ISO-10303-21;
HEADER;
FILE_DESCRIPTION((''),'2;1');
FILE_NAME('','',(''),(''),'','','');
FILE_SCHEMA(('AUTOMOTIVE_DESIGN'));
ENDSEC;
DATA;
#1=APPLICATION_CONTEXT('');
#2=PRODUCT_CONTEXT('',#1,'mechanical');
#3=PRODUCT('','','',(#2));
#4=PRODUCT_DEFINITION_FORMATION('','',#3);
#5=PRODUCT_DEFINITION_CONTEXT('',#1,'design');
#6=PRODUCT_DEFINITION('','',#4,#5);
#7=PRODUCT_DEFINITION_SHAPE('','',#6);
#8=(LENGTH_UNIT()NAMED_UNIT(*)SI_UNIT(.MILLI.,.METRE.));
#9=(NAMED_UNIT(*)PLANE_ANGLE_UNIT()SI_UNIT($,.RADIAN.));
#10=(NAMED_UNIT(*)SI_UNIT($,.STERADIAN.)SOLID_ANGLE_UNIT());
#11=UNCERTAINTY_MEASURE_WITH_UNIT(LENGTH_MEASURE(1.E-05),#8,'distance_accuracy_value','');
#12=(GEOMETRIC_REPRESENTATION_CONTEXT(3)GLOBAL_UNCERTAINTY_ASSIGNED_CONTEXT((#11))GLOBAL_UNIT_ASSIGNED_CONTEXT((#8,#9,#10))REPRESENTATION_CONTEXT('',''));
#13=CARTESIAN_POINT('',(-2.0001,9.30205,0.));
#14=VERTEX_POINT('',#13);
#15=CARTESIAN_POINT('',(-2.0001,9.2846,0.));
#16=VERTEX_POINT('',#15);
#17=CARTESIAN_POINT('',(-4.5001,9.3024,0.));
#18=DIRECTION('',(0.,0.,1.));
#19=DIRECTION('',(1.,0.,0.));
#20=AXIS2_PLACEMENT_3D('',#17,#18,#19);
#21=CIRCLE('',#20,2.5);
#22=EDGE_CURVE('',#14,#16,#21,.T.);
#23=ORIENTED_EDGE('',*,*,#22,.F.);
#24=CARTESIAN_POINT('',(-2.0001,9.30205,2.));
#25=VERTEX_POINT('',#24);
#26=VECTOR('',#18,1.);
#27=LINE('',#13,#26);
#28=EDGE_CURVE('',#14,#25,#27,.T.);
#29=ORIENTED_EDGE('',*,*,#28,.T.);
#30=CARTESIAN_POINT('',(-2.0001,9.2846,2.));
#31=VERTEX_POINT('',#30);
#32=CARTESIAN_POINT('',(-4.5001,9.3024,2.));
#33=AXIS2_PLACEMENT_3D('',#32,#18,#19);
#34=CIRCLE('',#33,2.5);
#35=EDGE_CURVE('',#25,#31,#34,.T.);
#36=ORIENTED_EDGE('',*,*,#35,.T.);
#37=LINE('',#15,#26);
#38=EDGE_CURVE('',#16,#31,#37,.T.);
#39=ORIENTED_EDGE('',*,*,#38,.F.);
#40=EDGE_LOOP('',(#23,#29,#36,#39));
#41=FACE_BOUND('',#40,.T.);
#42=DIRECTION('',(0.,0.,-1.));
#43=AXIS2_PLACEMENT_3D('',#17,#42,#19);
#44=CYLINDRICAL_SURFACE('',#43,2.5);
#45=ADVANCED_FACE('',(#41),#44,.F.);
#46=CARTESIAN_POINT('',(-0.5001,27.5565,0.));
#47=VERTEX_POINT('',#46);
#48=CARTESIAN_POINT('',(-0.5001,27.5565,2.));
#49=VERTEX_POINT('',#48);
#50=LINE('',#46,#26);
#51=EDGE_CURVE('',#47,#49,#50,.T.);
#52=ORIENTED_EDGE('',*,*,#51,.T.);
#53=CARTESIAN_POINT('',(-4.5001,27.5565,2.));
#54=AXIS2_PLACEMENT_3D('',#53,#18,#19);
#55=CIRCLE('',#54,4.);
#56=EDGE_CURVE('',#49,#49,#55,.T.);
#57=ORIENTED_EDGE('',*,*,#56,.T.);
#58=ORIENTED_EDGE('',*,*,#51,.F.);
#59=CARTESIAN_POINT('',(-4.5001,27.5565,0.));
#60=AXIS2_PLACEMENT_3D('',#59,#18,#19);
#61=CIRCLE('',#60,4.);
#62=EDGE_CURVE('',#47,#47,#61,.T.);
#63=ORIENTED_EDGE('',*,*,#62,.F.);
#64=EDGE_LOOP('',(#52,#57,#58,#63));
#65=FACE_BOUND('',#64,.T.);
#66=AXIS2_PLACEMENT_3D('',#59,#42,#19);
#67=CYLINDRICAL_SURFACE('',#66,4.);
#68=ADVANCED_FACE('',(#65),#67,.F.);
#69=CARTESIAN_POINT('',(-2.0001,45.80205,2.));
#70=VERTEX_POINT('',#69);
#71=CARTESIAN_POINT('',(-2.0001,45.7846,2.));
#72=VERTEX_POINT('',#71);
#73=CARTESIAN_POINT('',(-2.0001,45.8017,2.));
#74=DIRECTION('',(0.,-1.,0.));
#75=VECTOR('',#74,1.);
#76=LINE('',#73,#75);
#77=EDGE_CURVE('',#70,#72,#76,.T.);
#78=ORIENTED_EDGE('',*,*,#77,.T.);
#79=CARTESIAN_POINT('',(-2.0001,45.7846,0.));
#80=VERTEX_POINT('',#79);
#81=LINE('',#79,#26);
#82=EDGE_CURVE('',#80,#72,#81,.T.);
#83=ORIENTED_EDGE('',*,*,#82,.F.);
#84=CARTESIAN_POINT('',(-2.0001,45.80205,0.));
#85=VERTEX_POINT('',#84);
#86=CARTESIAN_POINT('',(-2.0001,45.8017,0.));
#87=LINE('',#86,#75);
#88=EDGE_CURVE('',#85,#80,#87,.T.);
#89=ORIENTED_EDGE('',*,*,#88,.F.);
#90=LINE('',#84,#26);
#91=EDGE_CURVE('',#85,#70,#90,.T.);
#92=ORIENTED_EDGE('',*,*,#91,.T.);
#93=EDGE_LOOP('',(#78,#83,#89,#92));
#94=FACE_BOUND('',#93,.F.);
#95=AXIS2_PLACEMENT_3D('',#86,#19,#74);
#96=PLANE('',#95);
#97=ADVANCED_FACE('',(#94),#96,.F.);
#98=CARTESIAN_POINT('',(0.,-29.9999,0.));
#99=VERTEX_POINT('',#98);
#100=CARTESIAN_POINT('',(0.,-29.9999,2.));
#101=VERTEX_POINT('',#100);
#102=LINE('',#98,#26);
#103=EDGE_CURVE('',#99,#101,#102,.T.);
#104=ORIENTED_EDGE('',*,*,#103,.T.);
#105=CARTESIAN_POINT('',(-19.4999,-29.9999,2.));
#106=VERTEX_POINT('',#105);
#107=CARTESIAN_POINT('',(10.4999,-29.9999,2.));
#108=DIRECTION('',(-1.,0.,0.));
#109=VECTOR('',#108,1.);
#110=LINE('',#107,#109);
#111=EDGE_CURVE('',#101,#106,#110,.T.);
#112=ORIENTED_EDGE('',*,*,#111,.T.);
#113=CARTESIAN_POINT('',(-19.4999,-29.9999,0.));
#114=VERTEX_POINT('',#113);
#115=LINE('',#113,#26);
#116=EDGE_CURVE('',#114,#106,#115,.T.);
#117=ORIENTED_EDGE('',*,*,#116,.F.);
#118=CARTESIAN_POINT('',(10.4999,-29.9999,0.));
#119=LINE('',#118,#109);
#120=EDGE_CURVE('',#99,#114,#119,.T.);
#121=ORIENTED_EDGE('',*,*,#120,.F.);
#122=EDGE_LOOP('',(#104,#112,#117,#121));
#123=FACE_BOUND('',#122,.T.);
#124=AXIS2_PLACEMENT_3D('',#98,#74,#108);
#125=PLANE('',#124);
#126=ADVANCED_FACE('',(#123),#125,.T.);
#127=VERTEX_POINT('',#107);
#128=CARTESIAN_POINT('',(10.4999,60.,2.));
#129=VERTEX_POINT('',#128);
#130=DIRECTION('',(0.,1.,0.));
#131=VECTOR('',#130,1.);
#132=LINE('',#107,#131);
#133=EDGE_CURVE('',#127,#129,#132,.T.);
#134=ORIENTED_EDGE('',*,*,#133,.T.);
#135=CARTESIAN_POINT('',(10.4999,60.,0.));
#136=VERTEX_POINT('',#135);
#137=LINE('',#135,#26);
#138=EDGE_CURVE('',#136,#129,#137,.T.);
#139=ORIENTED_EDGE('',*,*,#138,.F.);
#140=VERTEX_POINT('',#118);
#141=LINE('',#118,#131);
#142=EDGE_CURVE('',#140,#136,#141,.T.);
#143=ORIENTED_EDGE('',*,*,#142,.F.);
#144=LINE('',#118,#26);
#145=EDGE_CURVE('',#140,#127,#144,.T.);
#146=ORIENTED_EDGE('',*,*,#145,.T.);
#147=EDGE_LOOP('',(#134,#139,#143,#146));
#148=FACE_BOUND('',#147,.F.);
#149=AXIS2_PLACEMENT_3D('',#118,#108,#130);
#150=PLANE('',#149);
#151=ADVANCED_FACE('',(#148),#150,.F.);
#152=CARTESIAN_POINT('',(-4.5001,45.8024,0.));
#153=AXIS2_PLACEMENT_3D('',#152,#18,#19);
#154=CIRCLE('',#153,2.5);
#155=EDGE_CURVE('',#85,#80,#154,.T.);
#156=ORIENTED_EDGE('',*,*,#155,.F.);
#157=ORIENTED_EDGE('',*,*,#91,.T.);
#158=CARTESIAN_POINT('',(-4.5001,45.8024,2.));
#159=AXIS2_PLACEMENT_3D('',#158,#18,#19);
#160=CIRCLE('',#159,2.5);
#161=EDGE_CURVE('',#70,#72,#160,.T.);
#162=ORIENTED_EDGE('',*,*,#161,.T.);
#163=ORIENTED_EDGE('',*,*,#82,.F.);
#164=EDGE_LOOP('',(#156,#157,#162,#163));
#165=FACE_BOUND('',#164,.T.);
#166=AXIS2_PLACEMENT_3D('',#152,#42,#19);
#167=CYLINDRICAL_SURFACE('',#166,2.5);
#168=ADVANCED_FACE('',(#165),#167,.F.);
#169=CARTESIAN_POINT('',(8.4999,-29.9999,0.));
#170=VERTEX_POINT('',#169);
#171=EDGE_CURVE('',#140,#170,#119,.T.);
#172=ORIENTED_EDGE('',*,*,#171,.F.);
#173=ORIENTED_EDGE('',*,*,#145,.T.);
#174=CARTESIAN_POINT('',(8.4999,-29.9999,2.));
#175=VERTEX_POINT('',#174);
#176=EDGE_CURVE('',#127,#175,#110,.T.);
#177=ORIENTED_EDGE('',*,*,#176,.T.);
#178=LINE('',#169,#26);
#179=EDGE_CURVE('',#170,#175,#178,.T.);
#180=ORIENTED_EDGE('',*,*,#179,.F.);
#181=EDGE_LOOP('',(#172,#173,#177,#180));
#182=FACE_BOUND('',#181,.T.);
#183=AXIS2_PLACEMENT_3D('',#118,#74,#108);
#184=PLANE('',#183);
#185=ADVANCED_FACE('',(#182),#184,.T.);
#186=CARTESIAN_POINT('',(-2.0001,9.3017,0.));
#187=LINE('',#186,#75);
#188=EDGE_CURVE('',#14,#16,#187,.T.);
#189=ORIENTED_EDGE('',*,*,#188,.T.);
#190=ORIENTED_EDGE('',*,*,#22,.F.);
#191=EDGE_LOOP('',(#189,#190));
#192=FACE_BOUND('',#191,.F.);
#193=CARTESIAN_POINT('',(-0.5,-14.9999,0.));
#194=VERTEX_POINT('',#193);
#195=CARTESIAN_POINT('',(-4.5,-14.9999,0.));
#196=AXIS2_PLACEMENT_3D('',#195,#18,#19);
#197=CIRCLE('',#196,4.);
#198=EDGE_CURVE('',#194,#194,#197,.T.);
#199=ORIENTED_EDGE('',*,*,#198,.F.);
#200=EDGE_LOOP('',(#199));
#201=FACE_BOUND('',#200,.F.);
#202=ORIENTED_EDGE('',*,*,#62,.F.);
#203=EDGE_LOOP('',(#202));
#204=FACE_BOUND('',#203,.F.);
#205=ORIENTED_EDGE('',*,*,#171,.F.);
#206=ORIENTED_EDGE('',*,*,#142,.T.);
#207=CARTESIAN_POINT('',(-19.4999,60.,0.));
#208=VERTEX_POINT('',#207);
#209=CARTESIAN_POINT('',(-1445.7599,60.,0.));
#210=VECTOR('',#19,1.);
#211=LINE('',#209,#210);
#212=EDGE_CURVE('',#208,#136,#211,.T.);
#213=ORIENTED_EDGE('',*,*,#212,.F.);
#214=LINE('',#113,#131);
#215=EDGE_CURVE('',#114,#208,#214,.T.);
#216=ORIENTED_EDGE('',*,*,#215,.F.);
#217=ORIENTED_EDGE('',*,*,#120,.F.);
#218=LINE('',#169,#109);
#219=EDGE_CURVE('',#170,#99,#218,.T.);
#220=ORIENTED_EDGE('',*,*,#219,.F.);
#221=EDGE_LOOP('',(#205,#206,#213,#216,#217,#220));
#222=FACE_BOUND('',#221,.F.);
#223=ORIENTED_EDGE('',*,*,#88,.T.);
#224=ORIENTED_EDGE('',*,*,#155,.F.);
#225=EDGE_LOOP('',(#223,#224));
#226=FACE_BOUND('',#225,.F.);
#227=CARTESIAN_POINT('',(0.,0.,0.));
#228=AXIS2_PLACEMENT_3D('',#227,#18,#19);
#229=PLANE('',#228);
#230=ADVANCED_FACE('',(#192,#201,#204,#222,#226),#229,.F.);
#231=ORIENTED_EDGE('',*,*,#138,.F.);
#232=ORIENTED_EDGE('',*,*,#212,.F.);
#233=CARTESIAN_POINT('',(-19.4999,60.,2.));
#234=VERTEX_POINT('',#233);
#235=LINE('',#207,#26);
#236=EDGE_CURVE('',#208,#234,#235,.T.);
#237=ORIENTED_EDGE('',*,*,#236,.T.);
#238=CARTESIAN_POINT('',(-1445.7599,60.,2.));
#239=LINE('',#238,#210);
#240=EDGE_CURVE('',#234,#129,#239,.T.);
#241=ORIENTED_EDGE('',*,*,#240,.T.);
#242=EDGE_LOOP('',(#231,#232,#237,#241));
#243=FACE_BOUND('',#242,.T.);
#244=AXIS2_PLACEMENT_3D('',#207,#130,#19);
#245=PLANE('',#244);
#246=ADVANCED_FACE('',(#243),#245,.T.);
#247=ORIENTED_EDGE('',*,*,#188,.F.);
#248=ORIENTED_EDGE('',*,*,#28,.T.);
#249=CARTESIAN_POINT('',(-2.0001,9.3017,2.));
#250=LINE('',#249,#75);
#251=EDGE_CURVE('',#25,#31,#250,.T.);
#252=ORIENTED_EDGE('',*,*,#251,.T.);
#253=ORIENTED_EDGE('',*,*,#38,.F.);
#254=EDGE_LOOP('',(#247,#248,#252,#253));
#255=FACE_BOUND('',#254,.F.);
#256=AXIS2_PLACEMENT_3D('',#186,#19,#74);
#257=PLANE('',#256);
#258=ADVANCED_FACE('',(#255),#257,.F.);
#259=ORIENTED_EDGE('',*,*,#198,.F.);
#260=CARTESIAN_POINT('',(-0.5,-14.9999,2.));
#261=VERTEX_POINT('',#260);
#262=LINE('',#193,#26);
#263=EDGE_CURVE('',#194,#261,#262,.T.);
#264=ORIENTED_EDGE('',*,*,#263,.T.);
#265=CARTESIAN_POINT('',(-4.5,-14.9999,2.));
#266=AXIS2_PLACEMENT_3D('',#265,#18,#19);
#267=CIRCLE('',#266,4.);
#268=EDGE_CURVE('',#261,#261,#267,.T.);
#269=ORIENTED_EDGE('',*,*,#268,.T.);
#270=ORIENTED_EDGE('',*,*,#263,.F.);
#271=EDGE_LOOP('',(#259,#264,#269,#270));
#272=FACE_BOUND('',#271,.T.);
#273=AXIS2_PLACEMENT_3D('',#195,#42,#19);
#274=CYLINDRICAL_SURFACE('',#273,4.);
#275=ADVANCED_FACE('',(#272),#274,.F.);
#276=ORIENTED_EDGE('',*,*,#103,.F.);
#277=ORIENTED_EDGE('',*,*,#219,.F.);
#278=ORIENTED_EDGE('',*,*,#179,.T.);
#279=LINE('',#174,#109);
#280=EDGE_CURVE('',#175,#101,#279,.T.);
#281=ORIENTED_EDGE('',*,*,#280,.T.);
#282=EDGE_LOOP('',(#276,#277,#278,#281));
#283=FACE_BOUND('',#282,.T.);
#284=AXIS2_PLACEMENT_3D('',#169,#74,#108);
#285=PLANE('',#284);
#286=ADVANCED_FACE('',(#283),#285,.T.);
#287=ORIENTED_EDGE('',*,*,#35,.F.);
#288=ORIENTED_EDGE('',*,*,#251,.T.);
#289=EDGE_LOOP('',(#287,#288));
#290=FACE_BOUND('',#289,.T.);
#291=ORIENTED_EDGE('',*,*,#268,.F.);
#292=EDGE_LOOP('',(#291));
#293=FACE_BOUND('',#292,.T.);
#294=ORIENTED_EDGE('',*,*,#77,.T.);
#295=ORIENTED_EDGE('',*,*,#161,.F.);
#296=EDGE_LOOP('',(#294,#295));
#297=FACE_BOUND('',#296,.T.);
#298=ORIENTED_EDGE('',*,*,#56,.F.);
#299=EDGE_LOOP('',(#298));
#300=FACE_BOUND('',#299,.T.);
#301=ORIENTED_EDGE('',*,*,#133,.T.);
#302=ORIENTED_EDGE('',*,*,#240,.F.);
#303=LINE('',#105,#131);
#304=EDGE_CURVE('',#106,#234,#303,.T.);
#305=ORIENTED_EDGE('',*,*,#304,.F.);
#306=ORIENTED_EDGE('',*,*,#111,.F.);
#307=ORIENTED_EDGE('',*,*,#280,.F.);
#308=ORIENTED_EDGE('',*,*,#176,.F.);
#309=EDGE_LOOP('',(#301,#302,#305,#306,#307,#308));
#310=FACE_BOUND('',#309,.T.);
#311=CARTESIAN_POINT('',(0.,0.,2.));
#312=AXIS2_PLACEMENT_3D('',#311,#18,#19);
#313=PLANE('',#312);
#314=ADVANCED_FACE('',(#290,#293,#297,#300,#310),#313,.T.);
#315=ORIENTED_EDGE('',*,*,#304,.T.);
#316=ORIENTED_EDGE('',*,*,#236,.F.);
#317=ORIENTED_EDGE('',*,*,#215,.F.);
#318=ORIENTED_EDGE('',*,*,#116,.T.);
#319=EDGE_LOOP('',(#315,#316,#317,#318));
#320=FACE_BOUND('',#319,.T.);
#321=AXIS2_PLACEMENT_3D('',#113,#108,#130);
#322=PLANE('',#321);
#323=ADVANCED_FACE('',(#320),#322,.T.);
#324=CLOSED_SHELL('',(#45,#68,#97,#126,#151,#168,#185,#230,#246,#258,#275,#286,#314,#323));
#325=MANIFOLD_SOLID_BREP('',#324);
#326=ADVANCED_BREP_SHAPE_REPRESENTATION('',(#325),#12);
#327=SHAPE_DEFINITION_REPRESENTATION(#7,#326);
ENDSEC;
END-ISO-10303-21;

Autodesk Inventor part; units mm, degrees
ref_plane "YZ Plane" through (0, 0, 0) normal (1, 0, 0) x (0, 1, 0)
ref_plane "XZ Plane" through (0, 0, 0) normal (0, 1, 0) x (-1, 0, 0)
ref_plane "XY Plane" through (0, 0, 0) normal (0, 0, 1) x (1, 0, 0)
sketch "Sketch1" plane through (0, 0, 0) normal (0, 0, 1) x (1, 0, 0)
  ellipse E0 centre (-4.5001, 27.5565) end of major axis (-7.5001, 27.5565) minor radius 3
  line L0 (-2.0001, 9.3017) -> (-2.0001, 9.2846)
  line L1 (-2.0001, 45.8017) -> (-2.0001, 45.7846)
  line L2 (-1445.7599, 60) -> (10.4999, 60)
  line L3 (-19.4999, -29.9999) -> (-19.4999, 60)
  line L4 (10.4999, -29.9999) -> (10.4999, 60)
  line L5 (8.4999, -29.9999) -> (0, -29.9999)
  line L6 (10.4999, -29.9999) -> (-19.4999, -29.9999)
  line L7 (-19.4999, -29.9999) -> (-19.4999, 60)
  line L8 (-19.4999, 60) -> (10.4999, 60)
  line L9 (10.4999, 60) -> (10.4999, -29.9999)
  circle A0 centre (-4.5001, 27.5565) radius 4
  circle A1 centre (-4.5001, 45.8024) radius 2.5
  circle A2 centre (-4.5001, 9.3024) radius 2.5
  line L10 (-4.5, -29.9999) -> (-4.5, -14.9999) construction
  circle A3 centre (-4.5, -14.9999) radius 4
  point P0 (0, 0)
  dimension "d0" = 8
  dimension "d1" = 5
  dimension "d2" = 89.9999
  dimension "d3" = 15
  dimension "d4" = 8
extrude "Plate1" add sketch "Sketch1" along normal blind 2 contours L2 L4 L6 L5 L3
equation "\"BendRadius\" = Thickness"
equation "\"BendReliefWidth\" = Thickness"
equation "\"BendReliefDepth\" = 0.5 * Thickness"
equation "\"CornerReliefSize\" = 4 * Thickness"
equation "\"MinimumRemnant\" = 2 * Thickness"
equation "\"TransitionRadius\" = BendRadius"
equation "\"JacobiRadiusSize\" = BendRadius"
equation "\"GapSize\" = Thickness"
equation "\"d5\" = BendRadius"
equation "\"Thickness\" = 2"
properties part number "gabatarito-rolamento" material "Wood (Oak)"
